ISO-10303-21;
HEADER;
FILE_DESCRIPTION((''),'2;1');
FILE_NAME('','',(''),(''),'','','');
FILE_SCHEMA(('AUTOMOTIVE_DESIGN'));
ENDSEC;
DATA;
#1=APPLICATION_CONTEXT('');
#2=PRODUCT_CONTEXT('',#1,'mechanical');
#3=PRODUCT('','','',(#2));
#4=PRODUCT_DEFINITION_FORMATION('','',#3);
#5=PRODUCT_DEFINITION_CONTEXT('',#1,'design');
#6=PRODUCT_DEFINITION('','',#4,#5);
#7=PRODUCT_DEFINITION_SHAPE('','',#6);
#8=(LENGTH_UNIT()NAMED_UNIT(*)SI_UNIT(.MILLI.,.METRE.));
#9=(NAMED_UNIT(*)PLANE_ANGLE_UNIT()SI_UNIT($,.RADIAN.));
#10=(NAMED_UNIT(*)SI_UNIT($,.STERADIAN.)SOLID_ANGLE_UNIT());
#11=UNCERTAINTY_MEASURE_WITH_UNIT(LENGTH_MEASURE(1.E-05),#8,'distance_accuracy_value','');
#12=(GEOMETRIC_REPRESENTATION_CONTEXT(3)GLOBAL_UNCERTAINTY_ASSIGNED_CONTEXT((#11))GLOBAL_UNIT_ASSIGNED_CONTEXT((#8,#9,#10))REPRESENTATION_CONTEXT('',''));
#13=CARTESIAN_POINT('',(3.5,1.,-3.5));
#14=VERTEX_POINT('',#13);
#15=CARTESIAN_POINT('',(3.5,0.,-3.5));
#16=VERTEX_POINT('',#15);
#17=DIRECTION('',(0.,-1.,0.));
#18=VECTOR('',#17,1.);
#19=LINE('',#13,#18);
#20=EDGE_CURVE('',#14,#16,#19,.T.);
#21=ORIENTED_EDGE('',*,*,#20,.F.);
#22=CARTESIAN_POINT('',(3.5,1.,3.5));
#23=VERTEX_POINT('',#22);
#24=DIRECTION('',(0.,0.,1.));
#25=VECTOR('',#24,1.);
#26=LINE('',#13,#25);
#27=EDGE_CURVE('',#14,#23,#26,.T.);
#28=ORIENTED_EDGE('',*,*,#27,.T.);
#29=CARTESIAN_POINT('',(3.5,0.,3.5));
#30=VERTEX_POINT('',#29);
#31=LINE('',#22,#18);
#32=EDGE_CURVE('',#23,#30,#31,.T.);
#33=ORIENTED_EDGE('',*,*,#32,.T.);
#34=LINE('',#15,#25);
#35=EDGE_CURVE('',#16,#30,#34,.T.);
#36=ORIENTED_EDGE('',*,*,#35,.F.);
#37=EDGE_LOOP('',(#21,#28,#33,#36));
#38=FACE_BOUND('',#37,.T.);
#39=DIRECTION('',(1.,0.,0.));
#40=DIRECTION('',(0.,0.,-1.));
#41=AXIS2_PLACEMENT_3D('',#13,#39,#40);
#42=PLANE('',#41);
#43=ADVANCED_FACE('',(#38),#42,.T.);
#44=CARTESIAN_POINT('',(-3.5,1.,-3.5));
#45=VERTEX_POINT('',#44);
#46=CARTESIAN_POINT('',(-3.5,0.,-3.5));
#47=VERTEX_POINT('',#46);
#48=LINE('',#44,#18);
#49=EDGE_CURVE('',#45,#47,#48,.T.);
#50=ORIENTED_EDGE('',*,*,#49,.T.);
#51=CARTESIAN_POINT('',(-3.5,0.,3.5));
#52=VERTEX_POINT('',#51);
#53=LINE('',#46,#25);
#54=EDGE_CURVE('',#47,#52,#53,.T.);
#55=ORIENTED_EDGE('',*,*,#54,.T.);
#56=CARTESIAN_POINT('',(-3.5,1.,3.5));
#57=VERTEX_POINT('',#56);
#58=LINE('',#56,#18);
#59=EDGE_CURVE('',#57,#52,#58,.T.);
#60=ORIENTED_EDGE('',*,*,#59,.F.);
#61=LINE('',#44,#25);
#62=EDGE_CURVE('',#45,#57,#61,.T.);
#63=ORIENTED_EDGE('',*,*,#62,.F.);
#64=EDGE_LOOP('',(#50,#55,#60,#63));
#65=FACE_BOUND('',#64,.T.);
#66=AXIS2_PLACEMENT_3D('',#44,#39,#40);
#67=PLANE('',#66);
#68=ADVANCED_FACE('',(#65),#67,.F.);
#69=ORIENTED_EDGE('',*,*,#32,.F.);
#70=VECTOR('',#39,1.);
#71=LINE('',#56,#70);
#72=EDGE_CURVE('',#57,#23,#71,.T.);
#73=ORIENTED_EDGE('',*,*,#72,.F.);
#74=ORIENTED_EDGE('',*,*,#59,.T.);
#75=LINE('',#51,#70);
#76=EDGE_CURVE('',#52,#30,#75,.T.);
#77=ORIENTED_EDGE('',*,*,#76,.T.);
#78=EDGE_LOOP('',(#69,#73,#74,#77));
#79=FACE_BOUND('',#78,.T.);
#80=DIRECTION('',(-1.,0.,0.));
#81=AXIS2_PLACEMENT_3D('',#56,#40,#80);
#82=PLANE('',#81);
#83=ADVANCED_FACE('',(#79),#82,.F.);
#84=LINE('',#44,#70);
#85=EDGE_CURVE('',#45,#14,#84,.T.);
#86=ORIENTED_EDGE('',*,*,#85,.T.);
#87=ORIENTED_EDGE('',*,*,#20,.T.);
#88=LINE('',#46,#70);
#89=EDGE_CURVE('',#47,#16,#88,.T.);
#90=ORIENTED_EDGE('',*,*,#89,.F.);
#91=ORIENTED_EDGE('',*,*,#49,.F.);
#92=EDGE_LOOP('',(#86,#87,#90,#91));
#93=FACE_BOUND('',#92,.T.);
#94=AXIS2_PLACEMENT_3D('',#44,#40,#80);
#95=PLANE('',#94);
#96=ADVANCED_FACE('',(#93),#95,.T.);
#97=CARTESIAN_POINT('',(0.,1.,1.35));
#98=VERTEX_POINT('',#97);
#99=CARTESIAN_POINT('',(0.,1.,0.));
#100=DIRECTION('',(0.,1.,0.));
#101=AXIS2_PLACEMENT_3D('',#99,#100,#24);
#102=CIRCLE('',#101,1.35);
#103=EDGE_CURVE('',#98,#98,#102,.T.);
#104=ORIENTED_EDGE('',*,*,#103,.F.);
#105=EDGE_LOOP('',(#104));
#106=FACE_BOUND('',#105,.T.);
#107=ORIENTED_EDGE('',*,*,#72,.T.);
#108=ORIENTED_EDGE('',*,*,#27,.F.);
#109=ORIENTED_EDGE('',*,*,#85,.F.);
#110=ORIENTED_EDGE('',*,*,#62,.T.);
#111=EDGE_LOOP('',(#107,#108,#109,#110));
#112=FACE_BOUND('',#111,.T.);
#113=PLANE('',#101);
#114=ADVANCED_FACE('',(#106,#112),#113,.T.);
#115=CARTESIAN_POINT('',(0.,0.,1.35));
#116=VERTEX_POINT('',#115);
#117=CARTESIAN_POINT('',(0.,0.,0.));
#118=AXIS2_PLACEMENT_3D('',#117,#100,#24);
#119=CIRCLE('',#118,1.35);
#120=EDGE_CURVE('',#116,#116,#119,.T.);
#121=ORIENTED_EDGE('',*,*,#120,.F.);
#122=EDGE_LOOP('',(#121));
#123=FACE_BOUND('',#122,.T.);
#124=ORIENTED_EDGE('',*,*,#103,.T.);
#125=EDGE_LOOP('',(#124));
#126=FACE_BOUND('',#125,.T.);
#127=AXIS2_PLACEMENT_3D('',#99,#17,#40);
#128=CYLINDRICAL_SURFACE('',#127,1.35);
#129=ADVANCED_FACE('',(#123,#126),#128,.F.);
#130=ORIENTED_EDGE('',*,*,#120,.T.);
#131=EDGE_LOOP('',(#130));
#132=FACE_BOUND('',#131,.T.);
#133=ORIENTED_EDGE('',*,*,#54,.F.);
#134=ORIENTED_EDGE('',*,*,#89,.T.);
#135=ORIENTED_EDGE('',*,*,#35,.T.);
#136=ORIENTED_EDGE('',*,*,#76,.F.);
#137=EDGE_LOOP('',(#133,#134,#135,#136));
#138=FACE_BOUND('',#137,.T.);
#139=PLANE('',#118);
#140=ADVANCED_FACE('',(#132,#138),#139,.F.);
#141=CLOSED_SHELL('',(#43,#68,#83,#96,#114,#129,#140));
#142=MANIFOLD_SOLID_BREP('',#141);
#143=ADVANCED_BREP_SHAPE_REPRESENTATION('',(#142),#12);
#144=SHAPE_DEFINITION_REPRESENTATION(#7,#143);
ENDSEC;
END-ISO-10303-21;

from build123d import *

# Parameters (mm, degrees)
SKETCH_1_W      = 7
SKETCH_1_H      = 7
SKETCH_1_R      = 1.35
EXTRUDE_1_DEPTH = 1


with BuildPart() as part:
    # 草图1 → 凸台-拉伸1 (new body)
    with BuildSketch(Plane(origin=(0, 0, 0), x_dir=(1, 0, 0), z_dir=(0, 1, 0))):
        Rectangle(SKETCH_1_W, SKETCH_1_H)
        with Locations(Location((0, 0, 0), (0, 0, 270))):
            Circle(SKETCH_1_R, mode=Mode.SUBTRACT)
    extrude(amount=EXTRUDE_1_DEPTH)


solid = part.part
